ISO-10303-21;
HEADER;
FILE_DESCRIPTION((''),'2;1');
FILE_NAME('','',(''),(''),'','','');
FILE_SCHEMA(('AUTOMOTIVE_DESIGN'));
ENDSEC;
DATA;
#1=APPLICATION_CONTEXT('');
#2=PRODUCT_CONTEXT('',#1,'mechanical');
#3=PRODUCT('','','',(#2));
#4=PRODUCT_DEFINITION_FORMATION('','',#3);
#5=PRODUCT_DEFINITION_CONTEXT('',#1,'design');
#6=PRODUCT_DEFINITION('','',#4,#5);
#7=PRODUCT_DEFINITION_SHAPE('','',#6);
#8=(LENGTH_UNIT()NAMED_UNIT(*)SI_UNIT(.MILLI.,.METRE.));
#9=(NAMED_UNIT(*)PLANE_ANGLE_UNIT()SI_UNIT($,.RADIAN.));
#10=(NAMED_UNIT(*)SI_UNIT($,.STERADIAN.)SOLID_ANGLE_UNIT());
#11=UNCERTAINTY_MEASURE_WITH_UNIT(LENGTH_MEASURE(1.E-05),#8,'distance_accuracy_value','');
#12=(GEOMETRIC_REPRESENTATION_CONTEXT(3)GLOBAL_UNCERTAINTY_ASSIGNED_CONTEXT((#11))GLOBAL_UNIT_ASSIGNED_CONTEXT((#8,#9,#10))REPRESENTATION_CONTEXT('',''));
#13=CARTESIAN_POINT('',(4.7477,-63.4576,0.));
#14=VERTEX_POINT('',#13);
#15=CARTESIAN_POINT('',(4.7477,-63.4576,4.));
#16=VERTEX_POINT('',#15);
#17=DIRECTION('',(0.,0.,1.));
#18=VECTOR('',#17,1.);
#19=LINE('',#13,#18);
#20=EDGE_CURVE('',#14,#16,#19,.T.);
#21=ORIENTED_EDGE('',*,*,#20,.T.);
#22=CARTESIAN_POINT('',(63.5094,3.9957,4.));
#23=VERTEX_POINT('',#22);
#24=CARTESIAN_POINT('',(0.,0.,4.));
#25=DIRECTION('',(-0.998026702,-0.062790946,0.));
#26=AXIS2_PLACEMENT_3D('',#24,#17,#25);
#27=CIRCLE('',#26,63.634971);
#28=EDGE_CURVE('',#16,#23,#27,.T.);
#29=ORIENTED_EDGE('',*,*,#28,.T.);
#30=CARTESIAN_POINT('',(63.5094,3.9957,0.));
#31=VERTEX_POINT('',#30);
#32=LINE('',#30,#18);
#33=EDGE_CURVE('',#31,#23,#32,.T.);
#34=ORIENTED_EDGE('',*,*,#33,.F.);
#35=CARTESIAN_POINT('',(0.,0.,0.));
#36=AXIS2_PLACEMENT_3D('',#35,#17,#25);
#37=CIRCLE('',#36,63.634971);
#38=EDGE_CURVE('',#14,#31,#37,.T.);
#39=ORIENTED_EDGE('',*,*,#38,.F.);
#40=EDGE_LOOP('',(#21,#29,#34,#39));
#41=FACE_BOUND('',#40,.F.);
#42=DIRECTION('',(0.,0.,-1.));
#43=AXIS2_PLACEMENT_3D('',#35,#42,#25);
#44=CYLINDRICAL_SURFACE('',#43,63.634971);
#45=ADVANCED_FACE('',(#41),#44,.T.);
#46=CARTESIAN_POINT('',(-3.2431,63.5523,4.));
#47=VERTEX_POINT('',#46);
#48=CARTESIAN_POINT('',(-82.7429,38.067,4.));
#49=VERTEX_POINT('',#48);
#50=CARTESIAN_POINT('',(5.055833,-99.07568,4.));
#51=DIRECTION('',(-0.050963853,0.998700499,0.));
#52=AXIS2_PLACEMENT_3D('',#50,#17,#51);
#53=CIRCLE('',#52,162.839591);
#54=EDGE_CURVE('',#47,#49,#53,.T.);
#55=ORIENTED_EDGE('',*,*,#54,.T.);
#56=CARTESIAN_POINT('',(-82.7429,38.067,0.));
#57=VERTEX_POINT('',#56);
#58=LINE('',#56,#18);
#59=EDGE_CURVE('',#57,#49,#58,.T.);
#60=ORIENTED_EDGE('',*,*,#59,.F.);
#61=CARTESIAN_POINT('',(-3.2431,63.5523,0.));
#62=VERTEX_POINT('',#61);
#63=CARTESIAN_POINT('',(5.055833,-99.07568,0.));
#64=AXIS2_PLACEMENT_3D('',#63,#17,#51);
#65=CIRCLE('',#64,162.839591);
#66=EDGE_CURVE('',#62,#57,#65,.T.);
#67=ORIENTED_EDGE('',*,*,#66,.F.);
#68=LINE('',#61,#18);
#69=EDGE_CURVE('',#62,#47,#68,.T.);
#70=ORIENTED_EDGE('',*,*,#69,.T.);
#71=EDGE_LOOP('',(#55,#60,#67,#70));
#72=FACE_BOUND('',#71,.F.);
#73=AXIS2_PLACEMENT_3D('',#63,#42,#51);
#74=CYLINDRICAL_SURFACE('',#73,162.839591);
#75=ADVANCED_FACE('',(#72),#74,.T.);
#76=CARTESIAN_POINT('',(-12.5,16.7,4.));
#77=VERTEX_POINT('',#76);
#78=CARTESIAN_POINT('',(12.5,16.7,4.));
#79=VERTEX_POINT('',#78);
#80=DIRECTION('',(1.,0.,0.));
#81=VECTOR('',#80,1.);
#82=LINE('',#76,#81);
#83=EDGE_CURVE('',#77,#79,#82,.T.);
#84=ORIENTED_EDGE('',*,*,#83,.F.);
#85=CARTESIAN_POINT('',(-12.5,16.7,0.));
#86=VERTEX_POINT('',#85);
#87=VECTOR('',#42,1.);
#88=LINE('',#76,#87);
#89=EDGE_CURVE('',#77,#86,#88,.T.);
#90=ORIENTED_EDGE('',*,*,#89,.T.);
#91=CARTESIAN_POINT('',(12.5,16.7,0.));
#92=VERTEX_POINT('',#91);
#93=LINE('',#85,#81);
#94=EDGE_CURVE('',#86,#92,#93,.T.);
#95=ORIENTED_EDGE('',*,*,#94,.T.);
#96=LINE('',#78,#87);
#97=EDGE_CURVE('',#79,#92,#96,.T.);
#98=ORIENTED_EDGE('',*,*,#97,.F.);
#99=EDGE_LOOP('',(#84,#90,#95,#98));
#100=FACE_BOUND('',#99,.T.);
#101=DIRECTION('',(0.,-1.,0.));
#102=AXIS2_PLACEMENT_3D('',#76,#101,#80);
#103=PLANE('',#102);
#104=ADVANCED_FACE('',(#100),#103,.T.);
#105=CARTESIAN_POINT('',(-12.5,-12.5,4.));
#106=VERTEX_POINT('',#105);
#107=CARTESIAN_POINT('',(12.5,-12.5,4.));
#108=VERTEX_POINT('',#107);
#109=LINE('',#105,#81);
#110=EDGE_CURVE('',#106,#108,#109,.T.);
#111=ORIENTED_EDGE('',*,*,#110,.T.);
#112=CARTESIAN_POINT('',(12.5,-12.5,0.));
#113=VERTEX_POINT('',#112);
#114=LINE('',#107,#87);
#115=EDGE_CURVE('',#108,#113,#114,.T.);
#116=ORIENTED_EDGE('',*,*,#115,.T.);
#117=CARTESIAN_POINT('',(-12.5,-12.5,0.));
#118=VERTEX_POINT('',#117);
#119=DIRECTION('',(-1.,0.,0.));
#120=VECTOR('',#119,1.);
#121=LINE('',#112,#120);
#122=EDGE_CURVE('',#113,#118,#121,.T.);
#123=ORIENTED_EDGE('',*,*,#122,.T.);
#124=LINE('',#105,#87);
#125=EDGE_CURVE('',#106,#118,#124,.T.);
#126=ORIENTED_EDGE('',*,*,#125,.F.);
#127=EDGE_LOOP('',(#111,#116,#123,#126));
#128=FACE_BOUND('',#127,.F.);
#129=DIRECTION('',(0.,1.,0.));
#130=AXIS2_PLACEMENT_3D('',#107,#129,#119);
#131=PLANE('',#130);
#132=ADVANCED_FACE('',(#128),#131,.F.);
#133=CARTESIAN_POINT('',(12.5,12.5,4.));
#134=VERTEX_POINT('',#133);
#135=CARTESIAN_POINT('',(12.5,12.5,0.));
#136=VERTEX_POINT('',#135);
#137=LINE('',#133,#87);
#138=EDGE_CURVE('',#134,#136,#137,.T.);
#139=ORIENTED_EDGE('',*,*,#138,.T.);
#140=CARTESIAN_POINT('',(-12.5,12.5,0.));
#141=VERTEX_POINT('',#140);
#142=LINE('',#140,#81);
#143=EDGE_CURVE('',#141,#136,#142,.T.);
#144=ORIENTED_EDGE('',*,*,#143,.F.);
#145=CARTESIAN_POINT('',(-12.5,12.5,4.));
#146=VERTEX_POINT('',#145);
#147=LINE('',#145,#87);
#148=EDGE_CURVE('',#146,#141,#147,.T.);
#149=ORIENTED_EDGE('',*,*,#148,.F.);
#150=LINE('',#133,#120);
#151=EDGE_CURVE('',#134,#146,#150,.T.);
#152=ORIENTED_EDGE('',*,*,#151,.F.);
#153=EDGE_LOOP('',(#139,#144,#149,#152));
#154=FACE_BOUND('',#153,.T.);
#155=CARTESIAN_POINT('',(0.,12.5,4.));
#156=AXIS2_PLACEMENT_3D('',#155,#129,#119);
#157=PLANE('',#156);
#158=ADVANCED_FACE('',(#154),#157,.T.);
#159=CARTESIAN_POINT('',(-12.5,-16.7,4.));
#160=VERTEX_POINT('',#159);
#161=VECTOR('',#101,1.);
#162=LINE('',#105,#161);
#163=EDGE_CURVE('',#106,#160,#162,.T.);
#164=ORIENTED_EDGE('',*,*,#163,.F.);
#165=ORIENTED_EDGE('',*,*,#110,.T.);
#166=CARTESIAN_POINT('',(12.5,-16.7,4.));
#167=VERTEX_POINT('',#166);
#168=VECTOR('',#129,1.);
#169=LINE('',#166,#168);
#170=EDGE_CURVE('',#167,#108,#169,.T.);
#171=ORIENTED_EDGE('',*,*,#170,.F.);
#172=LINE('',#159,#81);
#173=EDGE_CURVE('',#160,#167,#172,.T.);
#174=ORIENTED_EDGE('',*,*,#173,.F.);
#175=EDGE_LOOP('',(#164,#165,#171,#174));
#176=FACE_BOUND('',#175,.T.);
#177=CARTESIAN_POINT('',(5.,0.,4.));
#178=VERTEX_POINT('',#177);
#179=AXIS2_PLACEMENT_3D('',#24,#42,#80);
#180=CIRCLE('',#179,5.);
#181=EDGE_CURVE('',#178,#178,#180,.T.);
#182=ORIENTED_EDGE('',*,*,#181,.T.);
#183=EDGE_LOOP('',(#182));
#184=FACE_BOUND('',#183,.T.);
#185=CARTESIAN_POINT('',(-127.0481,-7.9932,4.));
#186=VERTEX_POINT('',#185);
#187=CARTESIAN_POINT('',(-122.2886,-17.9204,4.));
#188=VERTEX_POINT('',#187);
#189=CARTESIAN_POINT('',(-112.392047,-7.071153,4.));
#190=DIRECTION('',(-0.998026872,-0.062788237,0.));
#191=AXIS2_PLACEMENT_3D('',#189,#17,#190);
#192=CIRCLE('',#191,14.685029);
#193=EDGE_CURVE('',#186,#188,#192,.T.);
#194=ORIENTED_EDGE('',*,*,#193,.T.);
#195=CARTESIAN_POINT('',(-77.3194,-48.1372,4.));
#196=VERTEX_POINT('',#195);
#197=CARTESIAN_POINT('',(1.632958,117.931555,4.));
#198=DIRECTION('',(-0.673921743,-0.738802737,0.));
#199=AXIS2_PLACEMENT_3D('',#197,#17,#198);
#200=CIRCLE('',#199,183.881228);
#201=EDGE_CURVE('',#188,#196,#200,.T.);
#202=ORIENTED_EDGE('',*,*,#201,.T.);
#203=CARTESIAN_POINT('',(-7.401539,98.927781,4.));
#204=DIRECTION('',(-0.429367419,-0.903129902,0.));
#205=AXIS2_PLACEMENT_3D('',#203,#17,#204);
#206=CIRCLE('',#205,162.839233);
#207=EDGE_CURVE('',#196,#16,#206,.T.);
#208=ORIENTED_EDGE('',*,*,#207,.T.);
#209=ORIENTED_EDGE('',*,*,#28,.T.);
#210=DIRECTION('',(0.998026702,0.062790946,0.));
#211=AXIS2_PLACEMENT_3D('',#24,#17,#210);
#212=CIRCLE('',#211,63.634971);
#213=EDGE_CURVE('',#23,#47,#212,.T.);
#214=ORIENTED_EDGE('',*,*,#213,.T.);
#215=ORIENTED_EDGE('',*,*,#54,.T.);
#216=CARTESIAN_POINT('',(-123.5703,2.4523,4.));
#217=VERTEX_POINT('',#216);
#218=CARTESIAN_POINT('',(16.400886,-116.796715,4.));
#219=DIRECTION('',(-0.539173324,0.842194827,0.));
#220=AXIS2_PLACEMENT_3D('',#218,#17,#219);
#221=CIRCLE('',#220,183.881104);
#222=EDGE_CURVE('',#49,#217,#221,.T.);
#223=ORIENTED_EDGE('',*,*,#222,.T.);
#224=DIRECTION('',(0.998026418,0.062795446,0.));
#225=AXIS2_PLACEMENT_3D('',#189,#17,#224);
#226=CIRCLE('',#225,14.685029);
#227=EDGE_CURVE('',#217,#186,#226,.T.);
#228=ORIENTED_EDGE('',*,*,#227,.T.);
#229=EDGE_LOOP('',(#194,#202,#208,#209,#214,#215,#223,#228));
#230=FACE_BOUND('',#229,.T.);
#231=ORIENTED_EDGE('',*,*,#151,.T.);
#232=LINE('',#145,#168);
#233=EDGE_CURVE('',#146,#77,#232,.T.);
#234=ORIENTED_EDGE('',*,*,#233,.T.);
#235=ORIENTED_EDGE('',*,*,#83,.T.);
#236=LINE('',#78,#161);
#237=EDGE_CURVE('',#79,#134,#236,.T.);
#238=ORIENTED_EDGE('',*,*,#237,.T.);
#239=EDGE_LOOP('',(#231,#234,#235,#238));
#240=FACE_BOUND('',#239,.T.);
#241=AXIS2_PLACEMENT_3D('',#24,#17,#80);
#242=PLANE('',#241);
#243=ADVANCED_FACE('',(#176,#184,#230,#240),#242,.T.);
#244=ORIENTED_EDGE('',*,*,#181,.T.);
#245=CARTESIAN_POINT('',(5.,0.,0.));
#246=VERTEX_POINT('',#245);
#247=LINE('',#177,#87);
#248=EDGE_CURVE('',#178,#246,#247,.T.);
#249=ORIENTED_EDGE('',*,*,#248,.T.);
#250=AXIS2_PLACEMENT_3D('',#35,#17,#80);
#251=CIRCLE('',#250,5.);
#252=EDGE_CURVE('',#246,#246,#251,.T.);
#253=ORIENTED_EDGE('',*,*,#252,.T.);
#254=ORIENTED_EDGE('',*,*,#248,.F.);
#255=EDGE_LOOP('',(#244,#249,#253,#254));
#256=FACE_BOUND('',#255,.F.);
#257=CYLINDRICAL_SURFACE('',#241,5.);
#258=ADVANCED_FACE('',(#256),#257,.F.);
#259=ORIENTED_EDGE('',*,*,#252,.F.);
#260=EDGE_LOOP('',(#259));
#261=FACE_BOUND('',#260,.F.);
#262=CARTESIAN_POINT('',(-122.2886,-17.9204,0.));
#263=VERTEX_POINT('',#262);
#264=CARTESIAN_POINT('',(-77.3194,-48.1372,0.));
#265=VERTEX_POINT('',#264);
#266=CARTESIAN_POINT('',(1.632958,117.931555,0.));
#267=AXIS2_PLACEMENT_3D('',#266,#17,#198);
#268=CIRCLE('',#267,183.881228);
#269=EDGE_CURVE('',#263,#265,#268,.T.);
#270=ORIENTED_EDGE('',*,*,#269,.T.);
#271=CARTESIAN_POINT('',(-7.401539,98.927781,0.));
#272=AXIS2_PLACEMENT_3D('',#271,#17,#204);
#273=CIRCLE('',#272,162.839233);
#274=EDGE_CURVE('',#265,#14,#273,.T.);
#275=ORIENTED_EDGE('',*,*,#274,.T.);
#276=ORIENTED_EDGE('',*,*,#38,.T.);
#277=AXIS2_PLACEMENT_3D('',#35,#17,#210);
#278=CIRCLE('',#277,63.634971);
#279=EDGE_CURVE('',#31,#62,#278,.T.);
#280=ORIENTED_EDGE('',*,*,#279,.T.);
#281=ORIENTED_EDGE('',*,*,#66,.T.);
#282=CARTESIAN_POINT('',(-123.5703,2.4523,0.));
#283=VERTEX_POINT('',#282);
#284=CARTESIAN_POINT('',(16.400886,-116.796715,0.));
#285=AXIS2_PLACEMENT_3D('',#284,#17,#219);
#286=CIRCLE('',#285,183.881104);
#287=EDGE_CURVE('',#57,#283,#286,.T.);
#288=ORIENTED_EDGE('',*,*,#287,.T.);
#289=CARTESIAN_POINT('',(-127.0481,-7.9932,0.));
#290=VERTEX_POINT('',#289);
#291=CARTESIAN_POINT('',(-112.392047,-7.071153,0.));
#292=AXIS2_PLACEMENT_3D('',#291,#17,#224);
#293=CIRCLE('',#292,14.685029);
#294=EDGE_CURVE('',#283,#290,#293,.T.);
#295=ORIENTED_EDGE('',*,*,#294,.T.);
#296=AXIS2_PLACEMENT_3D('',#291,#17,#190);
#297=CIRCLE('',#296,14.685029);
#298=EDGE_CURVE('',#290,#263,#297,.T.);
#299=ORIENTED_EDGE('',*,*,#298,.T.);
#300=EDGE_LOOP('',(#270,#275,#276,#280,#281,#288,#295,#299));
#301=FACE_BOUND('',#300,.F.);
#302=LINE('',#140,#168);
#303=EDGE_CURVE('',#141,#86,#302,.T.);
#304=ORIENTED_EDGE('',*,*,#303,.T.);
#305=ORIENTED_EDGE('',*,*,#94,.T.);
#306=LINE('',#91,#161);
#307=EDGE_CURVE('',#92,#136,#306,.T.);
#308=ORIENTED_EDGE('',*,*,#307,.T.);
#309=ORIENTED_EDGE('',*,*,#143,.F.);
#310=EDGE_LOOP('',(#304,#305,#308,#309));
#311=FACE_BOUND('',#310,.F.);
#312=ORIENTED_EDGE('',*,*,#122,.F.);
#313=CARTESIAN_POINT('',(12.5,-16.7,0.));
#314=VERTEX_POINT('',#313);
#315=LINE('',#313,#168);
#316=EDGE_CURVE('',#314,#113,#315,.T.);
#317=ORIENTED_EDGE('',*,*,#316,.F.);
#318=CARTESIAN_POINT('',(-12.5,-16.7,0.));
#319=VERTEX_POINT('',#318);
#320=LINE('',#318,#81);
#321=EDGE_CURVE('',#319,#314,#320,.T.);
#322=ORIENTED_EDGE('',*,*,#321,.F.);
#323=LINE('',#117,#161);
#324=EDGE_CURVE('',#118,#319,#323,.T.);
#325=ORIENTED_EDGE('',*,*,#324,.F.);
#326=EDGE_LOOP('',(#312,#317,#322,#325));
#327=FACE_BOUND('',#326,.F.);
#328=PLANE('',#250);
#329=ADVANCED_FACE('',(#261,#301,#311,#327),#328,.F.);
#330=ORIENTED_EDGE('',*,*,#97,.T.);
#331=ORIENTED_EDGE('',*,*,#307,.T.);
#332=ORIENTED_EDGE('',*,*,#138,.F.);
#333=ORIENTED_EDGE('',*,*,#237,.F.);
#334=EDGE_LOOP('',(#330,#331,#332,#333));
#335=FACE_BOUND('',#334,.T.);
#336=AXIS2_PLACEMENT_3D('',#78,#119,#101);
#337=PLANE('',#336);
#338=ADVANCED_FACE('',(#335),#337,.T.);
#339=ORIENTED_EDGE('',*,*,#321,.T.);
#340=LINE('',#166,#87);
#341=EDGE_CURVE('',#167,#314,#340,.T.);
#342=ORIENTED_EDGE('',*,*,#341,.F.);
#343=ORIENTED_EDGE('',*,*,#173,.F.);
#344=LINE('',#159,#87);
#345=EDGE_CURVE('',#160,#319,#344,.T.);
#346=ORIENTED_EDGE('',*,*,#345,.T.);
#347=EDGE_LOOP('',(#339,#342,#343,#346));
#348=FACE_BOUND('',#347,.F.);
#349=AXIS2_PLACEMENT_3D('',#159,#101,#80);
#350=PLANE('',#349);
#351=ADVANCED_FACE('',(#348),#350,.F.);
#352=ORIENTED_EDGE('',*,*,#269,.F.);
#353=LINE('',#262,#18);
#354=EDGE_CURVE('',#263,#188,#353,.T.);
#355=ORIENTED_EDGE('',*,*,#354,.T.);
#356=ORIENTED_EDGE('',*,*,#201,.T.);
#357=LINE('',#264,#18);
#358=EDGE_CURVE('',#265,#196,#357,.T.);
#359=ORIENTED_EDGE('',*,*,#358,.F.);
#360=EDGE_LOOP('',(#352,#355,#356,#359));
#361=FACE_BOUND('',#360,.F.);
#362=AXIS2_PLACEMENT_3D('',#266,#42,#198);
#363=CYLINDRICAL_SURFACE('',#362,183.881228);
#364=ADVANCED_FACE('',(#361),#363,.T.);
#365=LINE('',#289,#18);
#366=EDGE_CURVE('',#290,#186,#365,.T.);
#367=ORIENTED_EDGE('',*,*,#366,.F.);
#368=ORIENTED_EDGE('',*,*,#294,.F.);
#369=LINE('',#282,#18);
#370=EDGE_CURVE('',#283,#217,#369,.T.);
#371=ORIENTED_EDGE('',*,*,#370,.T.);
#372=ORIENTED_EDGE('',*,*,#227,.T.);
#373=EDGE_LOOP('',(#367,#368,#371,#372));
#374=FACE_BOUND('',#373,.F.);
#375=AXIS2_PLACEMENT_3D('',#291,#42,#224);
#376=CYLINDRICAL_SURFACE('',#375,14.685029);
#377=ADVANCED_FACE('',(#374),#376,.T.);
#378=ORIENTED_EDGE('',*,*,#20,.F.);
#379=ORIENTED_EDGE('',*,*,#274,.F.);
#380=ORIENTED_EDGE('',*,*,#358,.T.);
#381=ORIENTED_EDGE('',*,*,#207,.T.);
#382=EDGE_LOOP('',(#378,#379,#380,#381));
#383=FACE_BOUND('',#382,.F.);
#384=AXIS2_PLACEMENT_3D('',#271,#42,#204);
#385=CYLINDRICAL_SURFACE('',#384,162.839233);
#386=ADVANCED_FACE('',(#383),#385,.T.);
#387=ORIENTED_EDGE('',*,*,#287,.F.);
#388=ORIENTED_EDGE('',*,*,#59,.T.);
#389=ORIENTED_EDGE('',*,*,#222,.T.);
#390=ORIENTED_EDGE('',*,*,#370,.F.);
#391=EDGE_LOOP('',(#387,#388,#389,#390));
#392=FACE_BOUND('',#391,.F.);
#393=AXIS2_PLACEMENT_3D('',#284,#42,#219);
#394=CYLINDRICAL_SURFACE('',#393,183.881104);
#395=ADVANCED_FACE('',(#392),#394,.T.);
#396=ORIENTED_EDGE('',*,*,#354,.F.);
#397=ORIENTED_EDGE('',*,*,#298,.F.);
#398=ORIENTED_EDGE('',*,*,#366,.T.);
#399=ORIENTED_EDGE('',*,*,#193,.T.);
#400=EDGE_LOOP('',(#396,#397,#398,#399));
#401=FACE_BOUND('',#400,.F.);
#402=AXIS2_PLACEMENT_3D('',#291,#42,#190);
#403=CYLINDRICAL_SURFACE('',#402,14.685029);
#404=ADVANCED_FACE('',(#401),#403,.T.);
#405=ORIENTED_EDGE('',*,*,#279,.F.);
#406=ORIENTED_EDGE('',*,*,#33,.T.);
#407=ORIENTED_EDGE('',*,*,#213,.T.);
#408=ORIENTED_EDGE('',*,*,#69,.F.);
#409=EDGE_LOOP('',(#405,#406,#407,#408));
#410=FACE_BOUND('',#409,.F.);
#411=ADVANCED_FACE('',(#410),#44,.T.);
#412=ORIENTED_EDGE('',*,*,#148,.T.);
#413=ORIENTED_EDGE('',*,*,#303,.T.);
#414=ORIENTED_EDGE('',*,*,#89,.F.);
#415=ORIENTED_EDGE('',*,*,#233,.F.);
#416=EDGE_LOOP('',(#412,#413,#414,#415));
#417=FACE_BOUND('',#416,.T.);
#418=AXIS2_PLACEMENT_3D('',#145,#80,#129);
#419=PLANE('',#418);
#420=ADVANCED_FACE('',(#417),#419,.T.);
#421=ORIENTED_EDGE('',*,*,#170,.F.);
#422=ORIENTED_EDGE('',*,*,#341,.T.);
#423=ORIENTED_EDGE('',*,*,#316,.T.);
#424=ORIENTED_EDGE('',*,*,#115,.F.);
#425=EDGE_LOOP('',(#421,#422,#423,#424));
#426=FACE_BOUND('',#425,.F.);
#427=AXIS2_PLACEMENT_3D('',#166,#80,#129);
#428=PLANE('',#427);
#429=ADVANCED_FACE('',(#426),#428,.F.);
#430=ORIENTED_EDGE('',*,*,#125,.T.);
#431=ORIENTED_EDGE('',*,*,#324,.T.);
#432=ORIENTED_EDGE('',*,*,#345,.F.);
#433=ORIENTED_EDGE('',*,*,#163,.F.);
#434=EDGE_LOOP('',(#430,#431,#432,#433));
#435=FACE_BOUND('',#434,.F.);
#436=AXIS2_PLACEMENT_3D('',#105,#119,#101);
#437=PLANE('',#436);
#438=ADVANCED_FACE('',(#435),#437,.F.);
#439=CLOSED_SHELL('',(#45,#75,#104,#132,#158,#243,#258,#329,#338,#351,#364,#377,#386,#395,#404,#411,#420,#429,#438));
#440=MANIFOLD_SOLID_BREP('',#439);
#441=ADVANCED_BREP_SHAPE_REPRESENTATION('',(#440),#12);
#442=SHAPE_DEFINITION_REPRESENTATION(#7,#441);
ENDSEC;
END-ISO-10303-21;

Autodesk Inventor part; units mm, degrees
ref_plane "YZ Plane" through (0, 0, 0) normal (1, 0, 0) x (0, 1, 0)
ref_plane "XZ Plane" through (0, 0, 0) normal (0, 1, 0) x (-1, 0, 0)
ref_plane "XY Plane" through (0, 0, 0) normal (0, 0, 1) x (1, 0, 0)
sketch "Boceto1" plane through (0, 0, 0) normal (0, 0, 1) x (1, 0, 0)
  arc A0 (63.5094, 3.9957) -> (-63.5094, -3.9957) centre (0, 0) ccw
  arc A1 (-97.736, -6.149) -> (-127.0481, -7.9932) centre (-112.392, -7.0711) ccw
  line L0 (-131.2914, -8.2602) -> (-132.2134, 6.3959)
  line L1 (-3.2431, 63.5523) -> (-4.7799, 87.979)
  line L2 (-4.7799, 87.979) -> (-132.2134, 6.3959)
  line L3 (-132.2134, 6.3959) -> (-82.7429, 38.067)
  arc A2 (-3.2431, 63.5523) -> (-82.7429, 38.067) centre (5.0558, -99.0755) ccw
  arc A3 (-82.7429, 38.067) -> (-123.5703, 2.4523) centre (16.4017, -116.7978) ccw
  line L4 (4.8853, 0.3074) -> (63.5094, 3.9957)
  line L5 (-4.8853, -0.3074) -> (-131.2914, -8.2602)
  arc A4 (-63.5094, -3.9957) -> (63.5094, 3.9957) centre (0, 0) ccw
  arc A5 (-127.0481, -7.9932) -> (-97.736, -6.149) centre (-112.392, -7.0711) ccw
  line L6 (-131.2914, -8.2602) -> (-130.3693, -22.9162)
  line L7 (4.7477, -63.4576) -> (6.2845, -87.8843)
  line L8 (6.2845, -87.8843) -> (-130.3693, -22.9162)
  line L9 (-130.3693, -22.9162) -> (-77.3194, -48.1372)
  arc A6 (-77.3194, -48.1372) -> (4.7477, -63.4576) centre (-7.4015, 98.9279) ccw
  arc A7 (-122.2886, -17.9204) -> (-77.3194, -48.1372) centre (1.6337, 117.9325) ccw
  dimension "d0" = 127.27
  dimension "d6" = 29.37
  dimension "d7" = 14.685
  dimension "d8" = 24.475
  dimension "d9" = 58.74
extrude "Extrusión2" add sketch "Boceto1" along normal blind 4 contours A4 A0 | A0 L5 A1 A3 A2 | A6 A7 A5 L5 A4 | L5 A1 | A5 L5
sketch "Boceto2" plane through (0, 0, 4) normal (0, 0, 1) x (1, 0, 0)
  line L0 (0, 0) -> (0, 12.5)
  line L1 (0, 12.5) -> (-12.5, 12.5)
  line L2 (-12.5, 12.5) -> (-12.5, 16.7)
  line L3 (-12.5, 16.7) -> (12.5, 16.7)
  line L4 (12.5, 16.7) -> (12.5, 12.5)
  line L5 (12.5, 12.5) -> (0, 12.5)
  line L6 (0, 0) -> (12.5, 0)
  line L7 (0, 0) -> (0, -12.5)
  line L8 (0, -12.5) -> (-12.5, -12.5)
  line L9 (-12.5, -12.5) -> (-12.5, -16.7)
  line L10 (-12.5, -16.7) -> (12.5, -16.7)
  line L11 (12.5, -16.7) -> (12.5, -12.5)
  line L12 (12.5, -12.5) -> (0, -12.5)
  circle A0 centre (0, 0) radius 5
  dimension "d24" = 12.5
  dimension "d25" = 12.5
  dimension "d26" = 4.2
  dimension "d27" = 25
  dimension "d28" = 10
extrude "Extrusión3" cut sketch "Boceto2" against normal blind 4
properties part number "leva00" material "Madera (abedul)"
